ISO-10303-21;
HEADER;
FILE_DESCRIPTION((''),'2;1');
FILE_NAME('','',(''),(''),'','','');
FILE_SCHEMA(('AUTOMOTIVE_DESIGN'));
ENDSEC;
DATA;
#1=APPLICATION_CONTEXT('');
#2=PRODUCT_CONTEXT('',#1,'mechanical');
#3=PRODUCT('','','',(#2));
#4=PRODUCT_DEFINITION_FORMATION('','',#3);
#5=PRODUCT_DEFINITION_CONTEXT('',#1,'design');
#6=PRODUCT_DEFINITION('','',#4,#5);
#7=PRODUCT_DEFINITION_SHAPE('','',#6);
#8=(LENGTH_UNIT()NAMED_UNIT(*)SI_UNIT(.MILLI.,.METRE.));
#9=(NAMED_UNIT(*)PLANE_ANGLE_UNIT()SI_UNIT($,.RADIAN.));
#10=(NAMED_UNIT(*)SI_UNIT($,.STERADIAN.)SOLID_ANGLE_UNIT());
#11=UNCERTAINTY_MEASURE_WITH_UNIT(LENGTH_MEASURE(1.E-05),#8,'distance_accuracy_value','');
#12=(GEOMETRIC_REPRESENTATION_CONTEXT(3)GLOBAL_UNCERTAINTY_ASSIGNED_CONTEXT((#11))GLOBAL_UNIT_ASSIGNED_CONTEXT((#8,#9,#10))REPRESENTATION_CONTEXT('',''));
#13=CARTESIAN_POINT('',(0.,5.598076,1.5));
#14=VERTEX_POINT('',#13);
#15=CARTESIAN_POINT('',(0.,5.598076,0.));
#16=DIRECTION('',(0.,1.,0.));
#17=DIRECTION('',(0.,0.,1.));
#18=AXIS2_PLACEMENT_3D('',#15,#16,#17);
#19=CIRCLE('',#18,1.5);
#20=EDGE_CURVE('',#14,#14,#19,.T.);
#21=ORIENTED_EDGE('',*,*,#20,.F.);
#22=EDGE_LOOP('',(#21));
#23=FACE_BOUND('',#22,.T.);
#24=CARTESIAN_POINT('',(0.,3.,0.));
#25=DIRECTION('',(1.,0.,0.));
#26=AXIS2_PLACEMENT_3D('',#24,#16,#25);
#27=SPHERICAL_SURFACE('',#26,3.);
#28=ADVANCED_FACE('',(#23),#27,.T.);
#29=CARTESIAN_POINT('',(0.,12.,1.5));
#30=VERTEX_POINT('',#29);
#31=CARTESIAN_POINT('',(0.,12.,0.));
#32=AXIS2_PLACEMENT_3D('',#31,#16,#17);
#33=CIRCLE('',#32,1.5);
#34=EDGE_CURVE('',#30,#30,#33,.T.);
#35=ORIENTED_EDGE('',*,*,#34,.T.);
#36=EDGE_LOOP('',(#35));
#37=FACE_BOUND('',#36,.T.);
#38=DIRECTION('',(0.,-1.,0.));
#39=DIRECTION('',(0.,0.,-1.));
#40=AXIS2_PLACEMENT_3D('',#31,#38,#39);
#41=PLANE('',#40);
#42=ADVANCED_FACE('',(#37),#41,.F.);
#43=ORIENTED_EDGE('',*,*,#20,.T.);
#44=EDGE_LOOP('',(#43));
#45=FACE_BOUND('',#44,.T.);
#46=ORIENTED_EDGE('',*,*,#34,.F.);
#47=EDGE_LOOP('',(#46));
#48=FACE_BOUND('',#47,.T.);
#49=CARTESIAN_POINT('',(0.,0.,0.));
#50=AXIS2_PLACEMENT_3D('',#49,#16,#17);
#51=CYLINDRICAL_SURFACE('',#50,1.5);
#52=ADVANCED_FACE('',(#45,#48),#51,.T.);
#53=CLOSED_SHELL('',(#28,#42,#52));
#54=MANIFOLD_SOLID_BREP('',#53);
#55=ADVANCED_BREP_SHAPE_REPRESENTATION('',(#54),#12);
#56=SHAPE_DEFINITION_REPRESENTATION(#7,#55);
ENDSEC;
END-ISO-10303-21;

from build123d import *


with BuildPart() as part:
    # Sketch1 → Revolve1 (revolve)
    with BuildSketch(Plane.XY):
        with BuildLine():
            Line((0, 0), (0, 12))
            Line((0, 12), (1.5, 12))
            Line((1.5, 12), (1.5, 5.598076211))
            ThreePointArc((1.5, 5.598076211), (2.897777479, 2.223542865), (0, 0))
        make_face()
    revolve(axis=Axis((0, 0, 0), (0, -1, 0)))


solid = part.part
